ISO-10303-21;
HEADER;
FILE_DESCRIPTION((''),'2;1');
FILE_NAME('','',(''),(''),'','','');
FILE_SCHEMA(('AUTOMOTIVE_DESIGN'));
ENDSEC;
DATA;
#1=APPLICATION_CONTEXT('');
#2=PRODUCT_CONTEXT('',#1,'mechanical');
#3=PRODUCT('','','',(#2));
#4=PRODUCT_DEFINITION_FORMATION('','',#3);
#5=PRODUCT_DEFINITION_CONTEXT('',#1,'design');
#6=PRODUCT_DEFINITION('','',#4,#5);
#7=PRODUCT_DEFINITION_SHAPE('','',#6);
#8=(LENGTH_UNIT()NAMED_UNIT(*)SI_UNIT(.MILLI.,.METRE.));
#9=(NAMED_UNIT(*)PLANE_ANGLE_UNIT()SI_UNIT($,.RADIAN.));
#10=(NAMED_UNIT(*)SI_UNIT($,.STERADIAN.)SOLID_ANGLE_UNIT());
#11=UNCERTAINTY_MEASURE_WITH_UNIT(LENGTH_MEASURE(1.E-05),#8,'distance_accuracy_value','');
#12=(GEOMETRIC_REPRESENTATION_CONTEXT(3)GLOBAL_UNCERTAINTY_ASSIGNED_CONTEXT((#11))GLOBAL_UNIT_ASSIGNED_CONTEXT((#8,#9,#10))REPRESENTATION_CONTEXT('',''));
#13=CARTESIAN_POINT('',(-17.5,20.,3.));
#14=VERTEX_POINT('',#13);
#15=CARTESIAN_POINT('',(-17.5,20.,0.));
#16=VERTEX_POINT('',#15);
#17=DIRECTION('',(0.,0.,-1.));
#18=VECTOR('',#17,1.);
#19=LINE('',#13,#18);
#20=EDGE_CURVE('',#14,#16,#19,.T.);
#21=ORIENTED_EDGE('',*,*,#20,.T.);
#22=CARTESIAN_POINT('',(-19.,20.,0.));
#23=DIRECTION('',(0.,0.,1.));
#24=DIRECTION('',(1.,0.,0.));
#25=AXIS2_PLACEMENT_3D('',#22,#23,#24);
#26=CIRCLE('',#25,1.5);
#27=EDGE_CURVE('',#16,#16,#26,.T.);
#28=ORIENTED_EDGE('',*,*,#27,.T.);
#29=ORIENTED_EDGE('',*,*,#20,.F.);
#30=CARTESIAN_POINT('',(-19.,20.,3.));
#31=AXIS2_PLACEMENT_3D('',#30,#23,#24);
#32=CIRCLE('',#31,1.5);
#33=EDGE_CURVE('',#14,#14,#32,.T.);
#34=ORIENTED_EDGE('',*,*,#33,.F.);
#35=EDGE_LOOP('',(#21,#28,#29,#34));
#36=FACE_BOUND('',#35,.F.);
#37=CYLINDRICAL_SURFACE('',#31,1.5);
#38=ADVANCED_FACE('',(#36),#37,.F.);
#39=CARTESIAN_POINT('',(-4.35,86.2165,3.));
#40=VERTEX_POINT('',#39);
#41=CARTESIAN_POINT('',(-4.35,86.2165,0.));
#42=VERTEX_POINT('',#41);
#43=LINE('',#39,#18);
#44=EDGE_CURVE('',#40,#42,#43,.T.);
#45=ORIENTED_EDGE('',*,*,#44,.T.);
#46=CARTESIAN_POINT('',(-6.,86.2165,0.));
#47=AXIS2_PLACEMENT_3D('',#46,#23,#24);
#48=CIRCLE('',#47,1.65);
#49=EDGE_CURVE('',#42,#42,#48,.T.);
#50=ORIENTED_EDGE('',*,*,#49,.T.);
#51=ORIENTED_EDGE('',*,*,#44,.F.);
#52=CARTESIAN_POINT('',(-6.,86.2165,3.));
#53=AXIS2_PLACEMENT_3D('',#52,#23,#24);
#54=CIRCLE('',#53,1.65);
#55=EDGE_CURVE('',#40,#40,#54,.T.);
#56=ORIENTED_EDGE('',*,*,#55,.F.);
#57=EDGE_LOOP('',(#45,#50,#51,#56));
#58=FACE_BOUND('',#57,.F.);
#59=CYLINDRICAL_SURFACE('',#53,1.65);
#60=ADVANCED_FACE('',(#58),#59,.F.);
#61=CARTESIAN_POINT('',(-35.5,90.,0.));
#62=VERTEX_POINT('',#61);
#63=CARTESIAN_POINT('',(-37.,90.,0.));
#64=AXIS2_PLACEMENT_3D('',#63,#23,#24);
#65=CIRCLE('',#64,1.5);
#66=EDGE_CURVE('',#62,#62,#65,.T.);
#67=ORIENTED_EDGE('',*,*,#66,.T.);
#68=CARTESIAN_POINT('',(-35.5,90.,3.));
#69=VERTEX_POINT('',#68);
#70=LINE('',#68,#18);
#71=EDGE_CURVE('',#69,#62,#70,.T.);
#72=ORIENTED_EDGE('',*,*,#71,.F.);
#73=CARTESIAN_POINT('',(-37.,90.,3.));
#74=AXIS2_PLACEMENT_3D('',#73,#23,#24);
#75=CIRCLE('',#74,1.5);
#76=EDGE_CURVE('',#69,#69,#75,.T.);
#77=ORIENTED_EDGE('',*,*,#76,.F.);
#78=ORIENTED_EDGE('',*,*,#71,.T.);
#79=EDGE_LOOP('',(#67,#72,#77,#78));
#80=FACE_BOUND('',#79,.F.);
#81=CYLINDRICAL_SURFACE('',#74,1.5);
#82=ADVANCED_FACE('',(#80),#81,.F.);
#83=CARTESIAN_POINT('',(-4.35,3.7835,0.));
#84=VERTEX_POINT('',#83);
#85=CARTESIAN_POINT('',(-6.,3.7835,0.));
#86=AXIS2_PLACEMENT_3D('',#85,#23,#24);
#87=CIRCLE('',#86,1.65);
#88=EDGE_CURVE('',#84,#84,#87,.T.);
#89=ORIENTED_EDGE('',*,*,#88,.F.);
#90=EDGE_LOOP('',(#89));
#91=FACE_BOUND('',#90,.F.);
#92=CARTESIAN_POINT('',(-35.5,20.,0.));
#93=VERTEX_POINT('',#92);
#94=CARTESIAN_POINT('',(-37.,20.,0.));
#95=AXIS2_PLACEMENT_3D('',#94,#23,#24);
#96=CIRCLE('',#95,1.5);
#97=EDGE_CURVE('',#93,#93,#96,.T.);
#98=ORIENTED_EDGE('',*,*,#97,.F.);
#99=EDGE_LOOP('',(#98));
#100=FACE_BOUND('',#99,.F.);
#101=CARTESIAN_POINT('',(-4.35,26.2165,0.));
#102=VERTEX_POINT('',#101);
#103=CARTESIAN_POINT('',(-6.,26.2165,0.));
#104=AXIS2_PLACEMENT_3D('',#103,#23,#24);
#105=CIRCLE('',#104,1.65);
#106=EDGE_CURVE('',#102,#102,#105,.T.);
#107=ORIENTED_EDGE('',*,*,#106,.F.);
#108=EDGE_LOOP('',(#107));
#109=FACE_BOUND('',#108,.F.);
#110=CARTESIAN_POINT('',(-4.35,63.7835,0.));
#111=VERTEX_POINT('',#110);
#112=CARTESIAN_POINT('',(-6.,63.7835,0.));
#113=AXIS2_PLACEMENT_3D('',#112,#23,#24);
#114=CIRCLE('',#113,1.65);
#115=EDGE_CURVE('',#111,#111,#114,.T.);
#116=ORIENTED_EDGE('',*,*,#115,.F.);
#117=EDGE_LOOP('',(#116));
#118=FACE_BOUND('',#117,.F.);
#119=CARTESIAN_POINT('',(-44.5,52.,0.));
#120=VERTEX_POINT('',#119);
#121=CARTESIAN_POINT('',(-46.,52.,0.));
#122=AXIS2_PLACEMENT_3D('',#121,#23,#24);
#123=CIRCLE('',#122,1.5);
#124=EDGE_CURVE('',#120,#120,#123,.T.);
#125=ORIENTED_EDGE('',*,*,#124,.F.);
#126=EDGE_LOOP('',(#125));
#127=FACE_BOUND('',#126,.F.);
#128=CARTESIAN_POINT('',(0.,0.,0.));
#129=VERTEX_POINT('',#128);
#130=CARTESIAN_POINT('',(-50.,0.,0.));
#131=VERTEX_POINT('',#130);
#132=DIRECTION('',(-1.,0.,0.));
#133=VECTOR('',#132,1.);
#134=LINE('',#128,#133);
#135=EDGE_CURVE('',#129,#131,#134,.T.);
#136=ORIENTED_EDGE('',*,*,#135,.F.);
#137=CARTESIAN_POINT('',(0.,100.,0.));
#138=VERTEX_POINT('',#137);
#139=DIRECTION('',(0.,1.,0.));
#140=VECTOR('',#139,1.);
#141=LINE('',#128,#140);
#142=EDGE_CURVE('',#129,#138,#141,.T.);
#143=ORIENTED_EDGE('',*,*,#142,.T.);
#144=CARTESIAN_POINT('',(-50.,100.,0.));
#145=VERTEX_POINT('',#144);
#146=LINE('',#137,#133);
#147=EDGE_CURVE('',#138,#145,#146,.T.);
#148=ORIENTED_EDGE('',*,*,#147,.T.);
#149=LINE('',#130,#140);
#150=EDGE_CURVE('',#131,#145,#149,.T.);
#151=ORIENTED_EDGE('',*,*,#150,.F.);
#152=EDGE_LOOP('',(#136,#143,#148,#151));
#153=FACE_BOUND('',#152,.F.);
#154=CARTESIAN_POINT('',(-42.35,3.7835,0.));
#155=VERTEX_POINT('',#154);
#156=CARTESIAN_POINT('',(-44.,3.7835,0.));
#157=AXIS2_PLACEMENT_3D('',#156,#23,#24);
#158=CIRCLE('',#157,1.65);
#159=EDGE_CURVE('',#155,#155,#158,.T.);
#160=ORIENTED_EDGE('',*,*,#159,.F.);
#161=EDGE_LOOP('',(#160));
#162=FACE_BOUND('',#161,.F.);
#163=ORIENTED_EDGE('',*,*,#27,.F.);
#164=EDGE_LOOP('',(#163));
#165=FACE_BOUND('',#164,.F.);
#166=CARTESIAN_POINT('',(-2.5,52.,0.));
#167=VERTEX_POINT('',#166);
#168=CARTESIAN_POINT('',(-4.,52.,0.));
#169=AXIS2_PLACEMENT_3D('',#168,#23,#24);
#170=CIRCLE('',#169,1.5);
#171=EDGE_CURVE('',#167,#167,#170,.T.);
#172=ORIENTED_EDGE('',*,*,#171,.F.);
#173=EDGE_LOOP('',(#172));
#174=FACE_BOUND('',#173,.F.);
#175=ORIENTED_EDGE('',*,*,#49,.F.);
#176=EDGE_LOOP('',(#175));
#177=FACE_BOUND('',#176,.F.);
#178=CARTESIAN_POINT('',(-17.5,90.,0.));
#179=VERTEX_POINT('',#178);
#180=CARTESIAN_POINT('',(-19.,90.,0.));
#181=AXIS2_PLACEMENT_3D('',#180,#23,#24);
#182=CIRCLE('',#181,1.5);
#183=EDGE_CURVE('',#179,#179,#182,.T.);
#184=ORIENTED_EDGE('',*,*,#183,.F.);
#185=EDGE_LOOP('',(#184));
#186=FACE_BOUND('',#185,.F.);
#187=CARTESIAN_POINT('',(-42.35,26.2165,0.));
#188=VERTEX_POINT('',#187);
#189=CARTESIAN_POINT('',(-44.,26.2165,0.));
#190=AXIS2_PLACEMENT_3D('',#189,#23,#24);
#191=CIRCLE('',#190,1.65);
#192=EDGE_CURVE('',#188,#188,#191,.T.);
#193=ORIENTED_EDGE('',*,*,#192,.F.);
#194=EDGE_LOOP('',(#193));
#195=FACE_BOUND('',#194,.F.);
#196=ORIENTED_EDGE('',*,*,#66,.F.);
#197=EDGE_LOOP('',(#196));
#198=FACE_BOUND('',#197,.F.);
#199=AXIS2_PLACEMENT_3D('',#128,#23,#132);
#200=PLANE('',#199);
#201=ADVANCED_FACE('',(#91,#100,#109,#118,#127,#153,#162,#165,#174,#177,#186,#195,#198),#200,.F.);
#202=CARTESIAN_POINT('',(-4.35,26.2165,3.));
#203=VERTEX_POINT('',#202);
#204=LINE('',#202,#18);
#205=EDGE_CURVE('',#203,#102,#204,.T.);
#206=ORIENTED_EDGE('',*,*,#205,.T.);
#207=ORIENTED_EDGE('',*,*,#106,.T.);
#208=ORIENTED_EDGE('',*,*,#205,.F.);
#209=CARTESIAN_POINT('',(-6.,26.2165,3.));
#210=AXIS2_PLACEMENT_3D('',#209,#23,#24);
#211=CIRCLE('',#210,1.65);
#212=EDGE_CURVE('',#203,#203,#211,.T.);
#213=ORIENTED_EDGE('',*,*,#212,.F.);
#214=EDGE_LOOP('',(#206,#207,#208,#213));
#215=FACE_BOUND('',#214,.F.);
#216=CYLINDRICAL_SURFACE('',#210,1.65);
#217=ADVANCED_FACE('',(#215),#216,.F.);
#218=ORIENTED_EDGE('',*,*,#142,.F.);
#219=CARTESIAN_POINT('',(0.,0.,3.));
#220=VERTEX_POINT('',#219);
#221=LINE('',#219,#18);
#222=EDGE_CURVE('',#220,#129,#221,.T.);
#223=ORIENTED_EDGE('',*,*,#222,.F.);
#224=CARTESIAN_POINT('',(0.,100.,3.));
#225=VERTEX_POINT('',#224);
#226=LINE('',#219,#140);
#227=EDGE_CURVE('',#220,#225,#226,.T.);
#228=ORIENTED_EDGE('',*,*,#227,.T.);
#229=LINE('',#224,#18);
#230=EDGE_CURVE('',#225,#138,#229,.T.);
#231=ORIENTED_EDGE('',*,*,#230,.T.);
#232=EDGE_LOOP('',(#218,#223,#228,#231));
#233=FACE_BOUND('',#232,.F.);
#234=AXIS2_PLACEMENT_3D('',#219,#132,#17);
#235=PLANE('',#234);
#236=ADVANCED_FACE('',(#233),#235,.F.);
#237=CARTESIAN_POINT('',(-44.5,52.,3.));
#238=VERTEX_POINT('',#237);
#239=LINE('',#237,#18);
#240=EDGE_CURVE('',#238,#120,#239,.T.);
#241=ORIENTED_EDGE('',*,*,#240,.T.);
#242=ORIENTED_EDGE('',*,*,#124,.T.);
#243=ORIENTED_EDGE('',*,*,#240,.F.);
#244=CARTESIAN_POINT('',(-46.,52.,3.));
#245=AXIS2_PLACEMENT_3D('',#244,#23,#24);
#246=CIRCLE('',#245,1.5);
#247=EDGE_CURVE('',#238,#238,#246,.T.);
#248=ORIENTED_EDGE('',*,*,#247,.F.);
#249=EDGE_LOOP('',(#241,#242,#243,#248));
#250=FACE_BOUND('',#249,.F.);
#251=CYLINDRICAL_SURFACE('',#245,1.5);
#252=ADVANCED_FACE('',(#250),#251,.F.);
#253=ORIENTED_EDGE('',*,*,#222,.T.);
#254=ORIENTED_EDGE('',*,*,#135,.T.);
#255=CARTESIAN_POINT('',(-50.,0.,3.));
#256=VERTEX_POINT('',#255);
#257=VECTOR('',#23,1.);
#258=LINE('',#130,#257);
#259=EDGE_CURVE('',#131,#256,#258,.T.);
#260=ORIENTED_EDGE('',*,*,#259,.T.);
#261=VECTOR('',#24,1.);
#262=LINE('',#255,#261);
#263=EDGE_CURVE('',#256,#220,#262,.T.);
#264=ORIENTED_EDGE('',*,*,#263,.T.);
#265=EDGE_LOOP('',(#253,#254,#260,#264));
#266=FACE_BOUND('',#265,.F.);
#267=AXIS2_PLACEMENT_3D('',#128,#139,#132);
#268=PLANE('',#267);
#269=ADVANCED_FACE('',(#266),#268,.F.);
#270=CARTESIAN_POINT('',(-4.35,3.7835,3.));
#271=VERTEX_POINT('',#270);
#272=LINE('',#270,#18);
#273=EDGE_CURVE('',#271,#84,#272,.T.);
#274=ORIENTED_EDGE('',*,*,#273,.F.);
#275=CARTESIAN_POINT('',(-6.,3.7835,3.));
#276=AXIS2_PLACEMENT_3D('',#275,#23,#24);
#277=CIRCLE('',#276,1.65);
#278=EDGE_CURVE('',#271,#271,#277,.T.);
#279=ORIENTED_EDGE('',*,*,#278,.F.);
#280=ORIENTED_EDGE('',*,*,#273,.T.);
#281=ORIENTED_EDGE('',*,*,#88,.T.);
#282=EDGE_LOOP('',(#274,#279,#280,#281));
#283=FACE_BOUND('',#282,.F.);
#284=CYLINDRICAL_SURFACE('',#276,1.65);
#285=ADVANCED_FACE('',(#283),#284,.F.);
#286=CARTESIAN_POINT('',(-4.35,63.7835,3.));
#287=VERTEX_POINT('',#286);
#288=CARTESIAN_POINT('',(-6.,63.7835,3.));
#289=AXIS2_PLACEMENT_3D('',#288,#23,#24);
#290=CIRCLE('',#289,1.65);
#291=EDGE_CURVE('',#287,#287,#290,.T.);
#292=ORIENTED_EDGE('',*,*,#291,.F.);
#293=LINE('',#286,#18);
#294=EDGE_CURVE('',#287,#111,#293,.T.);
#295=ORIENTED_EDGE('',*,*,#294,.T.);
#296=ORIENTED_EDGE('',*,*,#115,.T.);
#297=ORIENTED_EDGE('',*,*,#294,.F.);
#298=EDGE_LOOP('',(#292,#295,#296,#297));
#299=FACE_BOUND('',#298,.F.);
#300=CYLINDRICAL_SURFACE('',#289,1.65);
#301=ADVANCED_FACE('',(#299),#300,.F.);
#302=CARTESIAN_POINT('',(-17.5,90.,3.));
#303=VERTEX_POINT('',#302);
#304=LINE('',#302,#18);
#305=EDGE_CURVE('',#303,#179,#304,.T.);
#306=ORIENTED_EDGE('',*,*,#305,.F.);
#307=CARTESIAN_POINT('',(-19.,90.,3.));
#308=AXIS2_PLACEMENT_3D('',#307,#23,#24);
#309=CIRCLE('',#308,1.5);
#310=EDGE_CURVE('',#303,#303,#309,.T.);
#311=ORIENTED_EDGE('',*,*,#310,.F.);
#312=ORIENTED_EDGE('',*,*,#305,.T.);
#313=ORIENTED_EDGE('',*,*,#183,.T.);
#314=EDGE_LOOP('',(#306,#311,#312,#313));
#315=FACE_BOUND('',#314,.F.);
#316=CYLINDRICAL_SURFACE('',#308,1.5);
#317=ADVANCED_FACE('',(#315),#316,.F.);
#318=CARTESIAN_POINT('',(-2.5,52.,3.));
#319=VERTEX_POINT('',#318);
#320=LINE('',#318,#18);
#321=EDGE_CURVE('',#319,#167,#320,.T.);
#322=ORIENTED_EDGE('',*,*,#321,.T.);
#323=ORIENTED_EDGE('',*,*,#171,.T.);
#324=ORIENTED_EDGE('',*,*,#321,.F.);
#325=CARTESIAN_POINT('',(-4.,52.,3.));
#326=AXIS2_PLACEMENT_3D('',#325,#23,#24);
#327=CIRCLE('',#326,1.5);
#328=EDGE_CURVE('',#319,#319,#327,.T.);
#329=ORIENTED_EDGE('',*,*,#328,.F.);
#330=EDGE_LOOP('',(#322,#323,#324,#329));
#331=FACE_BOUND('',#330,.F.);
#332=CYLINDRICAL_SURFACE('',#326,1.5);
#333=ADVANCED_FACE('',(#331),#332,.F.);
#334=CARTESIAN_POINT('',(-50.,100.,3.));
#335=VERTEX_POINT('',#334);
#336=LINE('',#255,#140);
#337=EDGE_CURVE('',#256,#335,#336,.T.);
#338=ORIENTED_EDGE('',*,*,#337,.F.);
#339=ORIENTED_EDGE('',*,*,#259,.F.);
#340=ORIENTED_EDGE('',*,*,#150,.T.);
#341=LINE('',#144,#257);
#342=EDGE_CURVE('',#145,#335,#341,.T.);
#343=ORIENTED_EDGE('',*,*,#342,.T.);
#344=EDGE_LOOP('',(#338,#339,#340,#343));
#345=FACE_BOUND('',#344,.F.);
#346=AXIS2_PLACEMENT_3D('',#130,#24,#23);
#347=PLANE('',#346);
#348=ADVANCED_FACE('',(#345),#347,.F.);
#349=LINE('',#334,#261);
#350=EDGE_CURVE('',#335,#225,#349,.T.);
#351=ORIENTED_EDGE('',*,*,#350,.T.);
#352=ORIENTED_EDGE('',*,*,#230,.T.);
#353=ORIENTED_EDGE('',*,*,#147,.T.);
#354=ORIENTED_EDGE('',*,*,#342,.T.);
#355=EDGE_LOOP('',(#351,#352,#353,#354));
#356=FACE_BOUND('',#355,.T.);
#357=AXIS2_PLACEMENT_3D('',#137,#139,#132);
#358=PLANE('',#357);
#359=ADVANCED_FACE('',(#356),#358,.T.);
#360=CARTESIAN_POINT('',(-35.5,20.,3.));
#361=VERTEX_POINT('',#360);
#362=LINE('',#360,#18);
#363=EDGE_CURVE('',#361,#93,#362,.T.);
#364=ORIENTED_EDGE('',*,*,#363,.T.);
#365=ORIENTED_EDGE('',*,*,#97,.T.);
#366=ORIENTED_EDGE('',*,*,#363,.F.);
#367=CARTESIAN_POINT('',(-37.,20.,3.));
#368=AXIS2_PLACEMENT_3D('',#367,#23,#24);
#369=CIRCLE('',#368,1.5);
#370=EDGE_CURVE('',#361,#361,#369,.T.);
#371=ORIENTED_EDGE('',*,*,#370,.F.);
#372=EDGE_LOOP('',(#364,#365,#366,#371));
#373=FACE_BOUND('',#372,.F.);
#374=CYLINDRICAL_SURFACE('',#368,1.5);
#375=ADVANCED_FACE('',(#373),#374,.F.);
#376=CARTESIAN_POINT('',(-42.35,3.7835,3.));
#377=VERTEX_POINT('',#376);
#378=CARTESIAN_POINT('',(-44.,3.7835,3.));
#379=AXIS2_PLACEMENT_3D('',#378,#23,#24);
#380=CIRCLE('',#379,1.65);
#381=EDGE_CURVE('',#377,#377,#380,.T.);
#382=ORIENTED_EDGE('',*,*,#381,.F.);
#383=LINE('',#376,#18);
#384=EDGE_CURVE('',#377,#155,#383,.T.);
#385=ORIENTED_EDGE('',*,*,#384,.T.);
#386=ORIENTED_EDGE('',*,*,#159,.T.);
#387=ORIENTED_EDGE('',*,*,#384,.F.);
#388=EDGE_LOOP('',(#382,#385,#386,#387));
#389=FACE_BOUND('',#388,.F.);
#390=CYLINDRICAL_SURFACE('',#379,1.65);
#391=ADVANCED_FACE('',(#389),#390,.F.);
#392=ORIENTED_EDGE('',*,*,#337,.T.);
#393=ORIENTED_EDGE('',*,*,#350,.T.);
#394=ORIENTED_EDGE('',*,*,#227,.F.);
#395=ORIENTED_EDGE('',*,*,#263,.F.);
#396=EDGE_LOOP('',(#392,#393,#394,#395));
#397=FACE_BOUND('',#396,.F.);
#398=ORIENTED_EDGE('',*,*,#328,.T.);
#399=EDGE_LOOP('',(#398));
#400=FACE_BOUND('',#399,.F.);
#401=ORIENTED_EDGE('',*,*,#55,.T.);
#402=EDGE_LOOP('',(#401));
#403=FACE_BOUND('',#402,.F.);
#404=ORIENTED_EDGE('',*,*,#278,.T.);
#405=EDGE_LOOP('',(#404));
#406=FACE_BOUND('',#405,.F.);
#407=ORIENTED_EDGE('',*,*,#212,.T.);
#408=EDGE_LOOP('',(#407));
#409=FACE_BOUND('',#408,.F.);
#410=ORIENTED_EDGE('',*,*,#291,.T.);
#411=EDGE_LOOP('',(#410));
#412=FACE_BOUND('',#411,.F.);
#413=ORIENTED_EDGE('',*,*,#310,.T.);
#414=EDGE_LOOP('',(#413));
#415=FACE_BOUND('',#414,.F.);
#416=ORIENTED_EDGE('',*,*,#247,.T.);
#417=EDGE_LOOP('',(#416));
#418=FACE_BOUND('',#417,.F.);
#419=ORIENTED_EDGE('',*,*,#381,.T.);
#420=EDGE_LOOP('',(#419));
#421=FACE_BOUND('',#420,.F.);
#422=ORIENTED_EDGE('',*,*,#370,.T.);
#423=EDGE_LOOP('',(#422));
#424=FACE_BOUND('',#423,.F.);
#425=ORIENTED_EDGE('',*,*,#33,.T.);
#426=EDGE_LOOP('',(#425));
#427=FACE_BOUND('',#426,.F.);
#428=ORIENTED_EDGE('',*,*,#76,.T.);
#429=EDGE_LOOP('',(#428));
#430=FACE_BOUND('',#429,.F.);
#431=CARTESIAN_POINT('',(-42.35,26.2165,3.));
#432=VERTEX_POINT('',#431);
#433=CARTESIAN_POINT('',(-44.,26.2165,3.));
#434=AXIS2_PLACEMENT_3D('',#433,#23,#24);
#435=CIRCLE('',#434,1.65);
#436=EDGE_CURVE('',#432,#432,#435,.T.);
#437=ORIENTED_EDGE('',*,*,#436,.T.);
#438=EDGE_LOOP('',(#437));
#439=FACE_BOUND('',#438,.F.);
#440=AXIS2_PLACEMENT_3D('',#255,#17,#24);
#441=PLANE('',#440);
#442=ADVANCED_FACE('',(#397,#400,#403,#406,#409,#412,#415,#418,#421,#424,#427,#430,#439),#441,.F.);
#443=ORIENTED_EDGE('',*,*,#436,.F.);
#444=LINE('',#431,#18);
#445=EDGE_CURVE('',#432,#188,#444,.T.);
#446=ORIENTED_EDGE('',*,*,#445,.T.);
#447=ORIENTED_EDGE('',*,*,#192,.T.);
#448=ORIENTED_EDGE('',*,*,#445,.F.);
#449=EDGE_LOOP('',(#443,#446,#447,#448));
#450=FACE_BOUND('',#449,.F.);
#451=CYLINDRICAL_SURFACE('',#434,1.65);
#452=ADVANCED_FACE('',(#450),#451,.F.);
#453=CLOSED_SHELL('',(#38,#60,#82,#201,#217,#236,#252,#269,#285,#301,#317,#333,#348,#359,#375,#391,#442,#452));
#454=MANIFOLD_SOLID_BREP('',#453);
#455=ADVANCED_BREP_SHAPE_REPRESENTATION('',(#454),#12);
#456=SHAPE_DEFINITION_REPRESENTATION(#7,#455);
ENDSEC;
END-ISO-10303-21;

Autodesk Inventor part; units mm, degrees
ref_plane "YZ Plane" through (0, 0, 0) normal (1, 0, 0) x (0, 1, 0)
ref_plane "XZ Plane" through (0, 0, 0) normal (0, 1, 0) x (-1, 0, 0)
ref_plane "XY Plane" through (0, 0, 0) normal (0, 0, 1) x (1, 0, 0)
sketch "Sketch1" plane through (0, 0, 0) normal (0, 1, 0) x (-1, 0, 0)
  line L0 (0, 0) -> (50, 0)
  line L1 (50, 0) -> (50, 3)
  line L2 (50, 3) -> (0, 3)
  line L3 (0, 3) -> (0, 0)
  dimension "d0" = 50
  dimension "d1" = 3
extrude "Extrusion1" add sketch "Sketch1" along normal blind 100
sketch "Sketch2" plane through (-50, 0, 3) normal (0, 0, 1) x (1, 0, 0)
  line L0 (0, 0) -> (0, 100) projected
  line L1 (50, 0) -> (50, 100) projected
  line L2 (0, 100) -> (50, 100) projected
  line L3 (50, 40) -> (40, 40)
  line L4 (40, 40) -> (40, 30)
  line L5 (40, 30) -> (50, 30)
  line L6 (50, 30) -> (50, 40)
  circle A0 centre (4, 52) radius 1.5 projected
  circle A1 centre (46, 52) radius 1.5 projected
  circle A2 centre (31, 90) radius 1.5 projected
  circle A3 centre (13, 90) radius 1.5 projected
  circle A4 centre (31, 20) radius 1.5 projected
  circle A5 centre (13, 20) radius 1.5 projected
  circle A6 centre (44, 86.2165) radius 1.65 projected
  circle A7 centre (44, 63.7835) radius 1.65 projected
  circle A8 centre (44, 26.2165) radius 1.65 projected
  circle A9 centre (6, 26.2165) radius 1.65 projected
  circle A10 centre (6, 3.7835) radius 1.65 projected
  circle A11 centre (44, 3.7835) radius 1.65 projected
  point P0 (25, 100)
  dimension "d13" = 10
  dimension "d14" = 10
  dimension "d15" = 30
extrude "Extrusion2" cut sketch "Sketch2" against normal blind 5 contours A0 | A1 | A2 | A3 | A4 | A5 | A6 | A7 | A8 | A9 | A10 | A11
properties part number "Z Rail"
